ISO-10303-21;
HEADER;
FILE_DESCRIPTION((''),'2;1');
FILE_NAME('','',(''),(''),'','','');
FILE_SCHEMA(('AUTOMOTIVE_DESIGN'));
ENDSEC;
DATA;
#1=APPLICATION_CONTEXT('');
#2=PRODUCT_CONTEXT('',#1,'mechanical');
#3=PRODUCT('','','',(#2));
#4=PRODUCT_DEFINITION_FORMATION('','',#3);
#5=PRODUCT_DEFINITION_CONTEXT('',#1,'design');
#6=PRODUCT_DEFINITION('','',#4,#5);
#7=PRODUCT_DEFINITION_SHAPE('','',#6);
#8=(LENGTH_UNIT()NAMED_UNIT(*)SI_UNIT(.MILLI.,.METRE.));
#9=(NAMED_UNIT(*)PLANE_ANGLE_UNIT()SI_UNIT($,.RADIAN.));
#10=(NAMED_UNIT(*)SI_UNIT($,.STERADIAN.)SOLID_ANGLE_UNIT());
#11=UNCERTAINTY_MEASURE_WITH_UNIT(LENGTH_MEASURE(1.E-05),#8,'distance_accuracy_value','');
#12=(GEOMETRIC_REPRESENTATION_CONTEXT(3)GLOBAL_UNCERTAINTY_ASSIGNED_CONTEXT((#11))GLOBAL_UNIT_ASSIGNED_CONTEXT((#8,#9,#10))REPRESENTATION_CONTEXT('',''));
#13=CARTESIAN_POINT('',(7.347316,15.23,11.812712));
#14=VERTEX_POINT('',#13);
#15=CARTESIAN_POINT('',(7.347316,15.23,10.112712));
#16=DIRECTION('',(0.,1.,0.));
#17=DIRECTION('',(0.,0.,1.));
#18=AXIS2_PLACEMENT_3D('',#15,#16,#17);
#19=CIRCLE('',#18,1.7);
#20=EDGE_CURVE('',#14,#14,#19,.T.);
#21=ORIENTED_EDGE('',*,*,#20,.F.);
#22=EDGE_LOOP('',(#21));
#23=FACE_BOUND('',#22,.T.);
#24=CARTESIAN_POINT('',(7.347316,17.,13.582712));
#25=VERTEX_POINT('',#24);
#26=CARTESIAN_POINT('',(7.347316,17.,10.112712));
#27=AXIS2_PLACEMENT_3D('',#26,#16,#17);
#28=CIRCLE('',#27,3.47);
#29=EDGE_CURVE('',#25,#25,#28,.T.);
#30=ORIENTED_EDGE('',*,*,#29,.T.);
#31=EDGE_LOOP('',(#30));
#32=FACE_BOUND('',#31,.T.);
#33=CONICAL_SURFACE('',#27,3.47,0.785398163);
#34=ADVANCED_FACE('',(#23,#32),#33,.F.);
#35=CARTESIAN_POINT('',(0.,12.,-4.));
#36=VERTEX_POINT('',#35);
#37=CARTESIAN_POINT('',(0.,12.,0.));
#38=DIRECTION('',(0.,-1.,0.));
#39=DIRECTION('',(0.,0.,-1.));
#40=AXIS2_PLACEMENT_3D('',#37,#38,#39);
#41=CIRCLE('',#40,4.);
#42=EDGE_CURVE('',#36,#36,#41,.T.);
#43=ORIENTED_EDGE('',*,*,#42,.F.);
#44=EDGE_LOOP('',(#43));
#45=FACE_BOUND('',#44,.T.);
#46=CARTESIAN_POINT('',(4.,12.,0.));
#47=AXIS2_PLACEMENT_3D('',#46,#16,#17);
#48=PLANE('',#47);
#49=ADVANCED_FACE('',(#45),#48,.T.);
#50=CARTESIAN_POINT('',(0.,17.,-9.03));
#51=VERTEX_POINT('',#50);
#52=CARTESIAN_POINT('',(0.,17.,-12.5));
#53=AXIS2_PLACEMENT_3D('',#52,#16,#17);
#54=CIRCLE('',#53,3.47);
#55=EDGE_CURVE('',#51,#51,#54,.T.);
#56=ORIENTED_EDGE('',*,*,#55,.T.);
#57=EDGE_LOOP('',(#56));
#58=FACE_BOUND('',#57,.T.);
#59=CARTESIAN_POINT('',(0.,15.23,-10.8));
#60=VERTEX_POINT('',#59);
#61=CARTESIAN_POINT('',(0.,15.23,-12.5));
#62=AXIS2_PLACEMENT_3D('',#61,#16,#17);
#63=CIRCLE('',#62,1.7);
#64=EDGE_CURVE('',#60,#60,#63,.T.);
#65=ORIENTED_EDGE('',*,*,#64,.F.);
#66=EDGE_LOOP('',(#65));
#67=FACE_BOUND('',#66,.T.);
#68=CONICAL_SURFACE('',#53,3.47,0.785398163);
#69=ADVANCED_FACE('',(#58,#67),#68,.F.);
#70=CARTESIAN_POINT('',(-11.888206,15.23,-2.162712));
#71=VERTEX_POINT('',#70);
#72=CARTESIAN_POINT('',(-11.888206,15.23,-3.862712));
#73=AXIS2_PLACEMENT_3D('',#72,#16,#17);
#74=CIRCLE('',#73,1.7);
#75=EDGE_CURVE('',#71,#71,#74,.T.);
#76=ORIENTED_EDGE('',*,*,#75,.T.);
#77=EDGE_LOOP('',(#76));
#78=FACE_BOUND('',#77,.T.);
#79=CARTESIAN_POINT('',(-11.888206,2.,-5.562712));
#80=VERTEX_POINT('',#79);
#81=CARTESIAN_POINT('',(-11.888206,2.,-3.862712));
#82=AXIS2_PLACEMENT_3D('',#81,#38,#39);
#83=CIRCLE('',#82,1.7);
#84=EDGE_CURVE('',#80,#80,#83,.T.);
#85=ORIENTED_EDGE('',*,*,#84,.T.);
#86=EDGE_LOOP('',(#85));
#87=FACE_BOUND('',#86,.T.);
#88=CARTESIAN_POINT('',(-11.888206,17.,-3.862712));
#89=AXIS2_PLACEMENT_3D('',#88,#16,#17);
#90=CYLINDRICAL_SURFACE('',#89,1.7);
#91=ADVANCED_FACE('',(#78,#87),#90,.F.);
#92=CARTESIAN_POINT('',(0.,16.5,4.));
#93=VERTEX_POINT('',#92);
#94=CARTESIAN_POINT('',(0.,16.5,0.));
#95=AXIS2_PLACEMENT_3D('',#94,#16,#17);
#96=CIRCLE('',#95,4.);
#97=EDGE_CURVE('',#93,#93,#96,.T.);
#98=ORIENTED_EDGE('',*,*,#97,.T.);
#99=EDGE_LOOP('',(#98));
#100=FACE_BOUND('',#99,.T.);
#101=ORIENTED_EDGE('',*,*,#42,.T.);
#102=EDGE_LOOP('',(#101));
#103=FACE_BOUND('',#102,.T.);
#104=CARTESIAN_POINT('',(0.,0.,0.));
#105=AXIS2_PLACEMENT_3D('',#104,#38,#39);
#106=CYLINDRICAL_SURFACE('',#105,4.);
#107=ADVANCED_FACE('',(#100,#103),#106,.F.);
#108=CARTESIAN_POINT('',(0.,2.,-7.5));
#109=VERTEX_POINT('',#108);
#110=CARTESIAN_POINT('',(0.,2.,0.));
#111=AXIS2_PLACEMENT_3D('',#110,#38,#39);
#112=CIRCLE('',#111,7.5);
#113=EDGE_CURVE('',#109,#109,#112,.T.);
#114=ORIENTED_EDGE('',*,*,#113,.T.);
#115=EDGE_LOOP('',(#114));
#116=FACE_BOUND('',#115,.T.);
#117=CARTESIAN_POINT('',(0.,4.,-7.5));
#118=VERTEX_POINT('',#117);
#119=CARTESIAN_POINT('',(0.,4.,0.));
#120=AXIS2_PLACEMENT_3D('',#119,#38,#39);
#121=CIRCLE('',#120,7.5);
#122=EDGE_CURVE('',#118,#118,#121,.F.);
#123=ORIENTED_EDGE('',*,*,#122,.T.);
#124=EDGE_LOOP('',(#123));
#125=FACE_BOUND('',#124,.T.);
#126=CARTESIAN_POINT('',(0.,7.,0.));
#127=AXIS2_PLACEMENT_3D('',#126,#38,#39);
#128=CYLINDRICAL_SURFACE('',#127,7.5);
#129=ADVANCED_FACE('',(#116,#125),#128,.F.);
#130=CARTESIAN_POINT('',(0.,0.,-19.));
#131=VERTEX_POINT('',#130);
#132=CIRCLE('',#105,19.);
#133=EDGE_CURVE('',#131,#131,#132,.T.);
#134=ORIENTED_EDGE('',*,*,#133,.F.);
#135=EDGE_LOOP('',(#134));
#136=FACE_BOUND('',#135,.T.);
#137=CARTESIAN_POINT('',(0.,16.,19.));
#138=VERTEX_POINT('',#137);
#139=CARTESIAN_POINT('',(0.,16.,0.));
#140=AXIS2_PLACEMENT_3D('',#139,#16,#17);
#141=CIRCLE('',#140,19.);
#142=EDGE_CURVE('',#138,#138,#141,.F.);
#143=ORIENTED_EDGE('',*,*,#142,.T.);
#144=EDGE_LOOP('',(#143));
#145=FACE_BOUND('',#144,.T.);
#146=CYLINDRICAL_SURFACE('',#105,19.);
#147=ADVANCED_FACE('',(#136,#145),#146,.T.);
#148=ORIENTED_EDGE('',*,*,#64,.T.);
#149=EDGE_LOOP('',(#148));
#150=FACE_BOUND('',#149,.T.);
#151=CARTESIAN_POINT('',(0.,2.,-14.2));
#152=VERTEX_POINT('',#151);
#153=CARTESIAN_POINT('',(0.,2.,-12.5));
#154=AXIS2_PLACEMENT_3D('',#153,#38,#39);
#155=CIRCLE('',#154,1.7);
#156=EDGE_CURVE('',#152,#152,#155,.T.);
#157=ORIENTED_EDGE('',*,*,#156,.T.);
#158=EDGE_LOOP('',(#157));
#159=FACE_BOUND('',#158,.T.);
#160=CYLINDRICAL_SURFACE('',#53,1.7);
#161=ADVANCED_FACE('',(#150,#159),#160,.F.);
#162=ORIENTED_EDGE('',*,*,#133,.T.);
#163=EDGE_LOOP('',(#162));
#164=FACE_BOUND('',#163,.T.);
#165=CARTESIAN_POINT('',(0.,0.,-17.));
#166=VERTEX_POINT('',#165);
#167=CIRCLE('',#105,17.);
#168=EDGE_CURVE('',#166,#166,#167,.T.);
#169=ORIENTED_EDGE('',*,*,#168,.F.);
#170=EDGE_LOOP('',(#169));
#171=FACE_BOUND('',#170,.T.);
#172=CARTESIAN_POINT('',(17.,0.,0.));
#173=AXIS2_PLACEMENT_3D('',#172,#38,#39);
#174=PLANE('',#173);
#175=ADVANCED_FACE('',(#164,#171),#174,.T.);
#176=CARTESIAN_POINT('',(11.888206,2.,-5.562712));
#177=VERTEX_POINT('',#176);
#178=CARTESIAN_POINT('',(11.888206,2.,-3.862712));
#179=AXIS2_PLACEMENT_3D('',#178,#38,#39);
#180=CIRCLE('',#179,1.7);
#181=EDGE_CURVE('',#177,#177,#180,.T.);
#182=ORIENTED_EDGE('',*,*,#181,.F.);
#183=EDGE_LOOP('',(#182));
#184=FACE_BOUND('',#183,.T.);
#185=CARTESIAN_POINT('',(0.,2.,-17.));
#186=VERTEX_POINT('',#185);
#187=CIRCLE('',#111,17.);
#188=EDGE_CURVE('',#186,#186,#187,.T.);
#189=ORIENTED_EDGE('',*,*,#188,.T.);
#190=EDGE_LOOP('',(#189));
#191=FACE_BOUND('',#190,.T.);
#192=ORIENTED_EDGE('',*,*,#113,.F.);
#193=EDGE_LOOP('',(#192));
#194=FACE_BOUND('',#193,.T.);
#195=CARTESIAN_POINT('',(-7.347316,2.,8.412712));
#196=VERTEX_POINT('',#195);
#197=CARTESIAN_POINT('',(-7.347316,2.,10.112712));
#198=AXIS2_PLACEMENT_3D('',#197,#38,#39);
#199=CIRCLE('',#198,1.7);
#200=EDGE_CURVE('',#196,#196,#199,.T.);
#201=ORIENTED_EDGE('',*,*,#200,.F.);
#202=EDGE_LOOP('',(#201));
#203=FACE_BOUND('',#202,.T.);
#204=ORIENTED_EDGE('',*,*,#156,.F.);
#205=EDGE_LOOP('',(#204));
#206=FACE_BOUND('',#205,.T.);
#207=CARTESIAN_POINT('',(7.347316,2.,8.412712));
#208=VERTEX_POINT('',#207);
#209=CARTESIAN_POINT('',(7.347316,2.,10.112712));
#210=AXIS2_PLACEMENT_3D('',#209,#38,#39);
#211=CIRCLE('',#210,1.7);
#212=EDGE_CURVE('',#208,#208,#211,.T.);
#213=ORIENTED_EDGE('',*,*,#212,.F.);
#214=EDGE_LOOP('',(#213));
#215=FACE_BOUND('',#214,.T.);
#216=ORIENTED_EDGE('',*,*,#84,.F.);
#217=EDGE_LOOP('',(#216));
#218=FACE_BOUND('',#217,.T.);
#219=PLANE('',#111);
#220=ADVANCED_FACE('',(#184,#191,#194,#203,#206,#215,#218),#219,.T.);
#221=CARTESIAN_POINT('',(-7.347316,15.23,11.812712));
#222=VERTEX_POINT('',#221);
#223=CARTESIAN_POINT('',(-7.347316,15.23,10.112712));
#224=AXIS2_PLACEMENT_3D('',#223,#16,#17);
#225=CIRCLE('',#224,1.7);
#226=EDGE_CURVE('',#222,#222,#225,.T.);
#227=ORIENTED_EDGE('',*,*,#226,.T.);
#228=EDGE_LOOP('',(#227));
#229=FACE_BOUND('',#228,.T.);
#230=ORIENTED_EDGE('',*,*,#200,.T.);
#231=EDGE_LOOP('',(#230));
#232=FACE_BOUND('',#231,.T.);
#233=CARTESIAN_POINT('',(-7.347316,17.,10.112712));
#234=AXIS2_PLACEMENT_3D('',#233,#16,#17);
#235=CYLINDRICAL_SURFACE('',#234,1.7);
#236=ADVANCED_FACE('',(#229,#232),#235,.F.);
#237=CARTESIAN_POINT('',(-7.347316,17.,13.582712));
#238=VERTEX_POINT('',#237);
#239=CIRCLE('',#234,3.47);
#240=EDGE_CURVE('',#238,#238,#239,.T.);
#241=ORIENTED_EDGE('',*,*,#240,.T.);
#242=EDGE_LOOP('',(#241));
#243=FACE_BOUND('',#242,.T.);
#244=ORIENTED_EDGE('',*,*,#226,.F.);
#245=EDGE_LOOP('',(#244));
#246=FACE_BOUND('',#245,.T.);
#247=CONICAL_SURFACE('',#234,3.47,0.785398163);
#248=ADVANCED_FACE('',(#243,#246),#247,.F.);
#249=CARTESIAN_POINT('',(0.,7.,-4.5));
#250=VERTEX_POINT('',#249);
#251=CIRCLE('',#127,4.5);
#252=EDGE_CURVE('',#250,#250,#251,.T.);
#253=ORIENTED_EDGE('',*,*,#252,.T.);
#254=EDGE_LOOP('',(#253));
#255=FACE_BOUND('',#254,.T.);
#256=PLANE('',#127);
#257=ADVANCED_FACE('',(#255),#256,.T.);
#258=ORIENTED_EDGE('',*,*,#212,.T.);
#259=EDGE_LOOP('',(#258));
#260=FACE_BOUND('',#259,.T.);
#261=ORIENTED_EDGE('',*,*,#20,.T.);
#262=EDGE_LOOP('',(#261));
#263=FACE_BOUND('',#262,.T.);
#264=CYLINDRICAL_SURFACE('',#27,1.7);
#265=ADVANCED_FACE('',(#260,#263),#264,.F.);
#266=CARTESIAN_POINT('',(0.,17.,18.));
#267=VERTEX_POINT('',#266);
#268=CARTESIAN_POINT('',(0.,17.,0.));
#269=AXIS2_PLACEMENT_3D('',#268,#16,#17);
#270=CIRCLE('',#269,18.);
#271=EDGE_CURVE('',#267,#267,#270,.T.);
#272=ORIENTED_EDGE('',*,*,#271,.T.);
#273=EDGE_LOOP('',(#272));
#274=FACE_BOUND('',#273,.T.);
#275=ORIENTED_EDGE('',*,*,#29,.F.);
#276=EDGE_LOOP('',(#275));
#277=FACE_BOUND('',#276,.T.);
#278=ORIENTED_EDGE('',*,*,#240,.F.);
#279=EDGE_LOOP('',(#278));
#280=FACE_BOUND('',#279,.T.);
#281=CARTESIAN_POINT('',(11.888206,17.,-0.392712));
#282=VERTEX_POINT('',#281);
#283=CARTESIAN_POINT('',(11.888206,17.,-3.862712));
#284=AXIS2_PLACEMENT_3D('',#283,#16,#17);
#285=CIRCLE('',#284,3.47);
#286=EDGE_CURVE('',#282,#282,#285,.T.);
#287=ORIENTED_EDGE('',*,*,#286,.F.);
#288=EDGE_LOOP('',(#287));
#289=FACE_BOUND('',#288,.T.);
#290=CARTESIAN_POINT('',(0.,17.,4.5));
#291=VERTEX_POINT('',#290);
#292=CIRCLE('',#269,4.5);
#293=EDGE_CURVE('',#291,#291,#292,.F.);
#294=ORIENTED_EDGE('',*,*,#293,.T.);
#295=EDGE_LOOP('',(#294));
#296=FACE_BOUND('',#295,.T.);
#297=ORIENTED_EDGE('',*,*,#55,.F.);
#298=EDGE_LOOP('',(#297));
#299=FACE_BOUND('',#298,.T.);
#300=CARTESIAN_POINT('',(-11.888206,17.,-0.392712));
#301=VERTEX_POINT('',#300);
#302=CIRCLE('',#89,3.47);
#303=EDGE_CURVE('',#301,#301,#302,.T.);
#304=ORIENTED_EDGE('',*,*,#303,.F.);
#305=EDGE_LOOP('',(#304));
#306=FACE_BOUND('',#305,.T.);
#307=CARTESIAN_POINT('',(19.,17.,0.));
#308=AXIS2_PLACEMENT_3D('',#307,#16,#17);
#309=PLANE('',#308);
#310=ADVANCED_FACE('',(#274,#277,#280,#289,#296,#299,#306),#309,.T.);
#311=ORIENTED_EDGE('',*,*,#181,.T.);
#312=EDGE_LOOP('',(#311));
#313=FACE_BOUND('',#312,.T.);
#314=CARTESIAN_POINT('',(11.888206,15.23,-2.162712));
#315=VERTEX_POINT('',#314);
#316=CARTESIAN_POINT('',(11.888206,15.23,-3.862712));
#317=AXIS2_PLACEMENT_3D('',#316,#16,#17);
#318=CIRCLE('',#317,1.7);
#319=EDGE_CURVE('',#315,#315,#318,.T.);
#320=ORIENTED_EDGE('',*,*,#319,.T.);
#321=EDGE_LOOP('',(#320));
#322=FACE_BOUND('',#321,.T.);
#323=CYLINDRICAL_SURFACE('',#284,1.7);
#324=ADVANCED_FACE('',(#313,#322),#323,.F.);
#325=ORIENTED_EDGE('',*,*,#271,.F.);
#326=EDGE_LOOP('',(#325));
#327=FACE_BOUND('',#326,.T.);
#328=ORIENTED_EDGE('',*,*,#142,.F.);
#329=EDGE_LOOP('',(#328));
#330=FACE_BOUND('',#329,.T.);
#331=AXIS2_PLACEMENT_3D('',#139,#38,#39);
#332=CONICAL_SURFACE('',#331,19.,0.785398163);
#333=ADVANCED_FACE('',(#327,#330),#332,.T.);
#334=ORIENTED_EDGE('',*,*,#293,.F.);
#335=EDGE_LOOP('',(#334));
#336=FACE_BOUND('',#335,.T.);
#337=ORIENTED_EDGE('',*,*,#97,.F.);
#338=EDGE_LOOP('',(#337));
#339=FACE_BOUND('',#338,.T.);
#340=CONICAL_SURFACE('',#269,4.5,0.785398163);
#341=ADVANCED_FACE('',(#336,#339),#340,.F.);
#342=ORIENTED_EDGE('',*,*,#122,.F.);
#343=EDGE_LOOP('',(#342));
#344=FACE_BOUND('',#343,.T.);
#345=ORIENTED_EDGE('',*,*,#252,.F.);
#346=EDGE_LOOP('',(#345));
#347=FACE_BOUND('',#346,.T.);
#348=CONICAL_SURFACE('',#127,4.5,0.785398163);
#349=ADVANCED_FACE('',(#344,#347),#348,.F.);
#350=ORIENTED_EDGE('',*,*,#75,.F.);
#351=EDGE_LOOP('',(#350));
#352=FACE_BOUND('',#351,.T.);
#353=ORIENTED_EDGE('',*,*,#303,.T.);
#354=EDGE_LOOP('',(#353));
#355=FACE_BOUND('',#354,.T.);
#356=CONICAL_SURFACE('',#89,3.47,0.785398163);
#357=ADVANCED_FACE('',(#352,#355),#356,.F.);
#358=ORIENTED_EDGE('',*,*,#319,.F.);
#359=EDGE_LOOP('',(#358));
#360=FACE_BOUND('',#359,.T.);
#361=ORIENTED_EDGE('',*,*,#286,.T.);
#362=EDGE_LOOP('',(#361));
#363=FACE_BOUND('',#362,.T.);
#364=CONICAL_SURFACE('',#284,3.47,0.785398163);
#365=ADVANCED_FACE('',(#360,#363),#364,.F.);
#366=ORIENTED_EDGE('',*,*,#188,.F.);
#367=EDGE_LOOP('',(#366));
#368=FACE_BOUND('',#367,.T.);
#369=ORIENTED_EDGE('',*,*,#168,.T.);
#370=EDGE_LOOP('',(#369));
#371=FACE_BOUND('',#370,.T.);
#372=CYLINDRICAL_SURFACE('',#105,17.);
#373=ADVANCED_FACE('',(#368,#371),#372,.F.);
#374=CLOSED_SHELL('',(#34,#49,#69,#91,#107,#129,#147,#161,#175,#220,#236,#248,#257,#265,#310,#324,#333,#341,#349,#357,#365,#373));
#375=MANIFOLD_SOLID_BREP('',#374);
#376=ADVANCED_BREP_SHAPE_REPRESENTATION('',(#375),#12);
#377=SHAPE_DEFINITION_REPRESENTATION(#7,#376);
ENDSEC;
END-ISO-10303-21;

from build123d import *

# Parameters (mm, degrees)
CSK_FOR_M3_HEX_SOCKET_COUNTERSUNK_HEAD_S_D           = 3.4
CSK_FOR_M3_HEX_SOCKET_COUNTERSUNK_HEAD_S_CSINK_D     = 6.94
CSK_FOR_M3_HEX_SOCKET_COUNTERSUNK_HEAD_S_CSINK_ANGLE = 90
SKETCH6_R                                            = 7.5
CUT_EXTRUDE1_DEPTH                                   = 5
CHAMFER1_SIZE                                        = 3
CHAMFER2_SIZE                                        = 1
CHAMFER3_SIZE                                        = 0.5


with BuildPart() as part:
    # Sketch1 → Revolve1 (revolve)
    with BuildSketch(Plane.XY, mode=Mode.PRIVATE) as revolve1_sk:
        Polygon((17, 0), (19, 0), (19, 17), (4, 17), (4, 12), (0, 12), (0, 2), (17, 2), align=None)
    revolve(revolve1_sk.sketch.rotate(Axis((0, 0, 0), (0, 1, 0)), 90), axis=Axis((0, 0, 0), (0, 1, 0)))

    # CSK for M3 Hex Socket Countersunk Head Screw1 (through all)
    with Locations(Plane(origin=(0, 17, 0), x_dir=(1, 0, 0), z_dir=(0, 1, 0))):
        with Locations((-11.888206454, 3.86271243), (0, 12.5), (11.888206454, 3.86271243), (7.347315654, -10.11271243), (-7.347315654, -10.11271243)):
            CounterSinkHole(CSK_FOR_M3_HEX_SOCKET_COUNTERSUNK_HEAD_S_D / 2, CSK_FOR_M3_HEX_SOCKET_COUNTERSUNK_HEAD_S_CSINK_D / 2, counter_sink_angle=CSK_FOR_M3_HEX_SOCKET_COUNTERSUNK_HEAD_S_CSINK_ANGLE)

    # Sketch6 → Cut-Extrude1 (cut)
    with BuildSketch(Plane.XZ.offset(-2)):
        with Locations(Location((0, 0, 0), (0, 0, 270))):
            Circle(SKETCH6_R)
    extrude(amount=-CUT_EXTRUDE1_DEPTH, mode=Mode.SUBTRACT)

    # Chamfer1
    chamfer1_edges = [part.edges().sort_by_distance(p)[0] for p in [
        (0, 7, 7.5),
    ]]
    chamfer(chamfer1_edges, length=CHAMFER1_SIZE)

    # Chamfer2
    chamfer2_edges = [part.edges().sort_by_distance(p)[0] for p in [
        (0, 17, 19),
    ]]
    chamfer(chamfer2_edges, length=CHAMFER2_SIZE)

    # Chamfer3
    chamfer3_edges = [part.edges().sort_by_distance(p)[0] for p in [
        (0, 17, 4),
    ]]
    chamfer(chamfer3_edges, length=CHAMFER3_SIZE)


solid = part.part
